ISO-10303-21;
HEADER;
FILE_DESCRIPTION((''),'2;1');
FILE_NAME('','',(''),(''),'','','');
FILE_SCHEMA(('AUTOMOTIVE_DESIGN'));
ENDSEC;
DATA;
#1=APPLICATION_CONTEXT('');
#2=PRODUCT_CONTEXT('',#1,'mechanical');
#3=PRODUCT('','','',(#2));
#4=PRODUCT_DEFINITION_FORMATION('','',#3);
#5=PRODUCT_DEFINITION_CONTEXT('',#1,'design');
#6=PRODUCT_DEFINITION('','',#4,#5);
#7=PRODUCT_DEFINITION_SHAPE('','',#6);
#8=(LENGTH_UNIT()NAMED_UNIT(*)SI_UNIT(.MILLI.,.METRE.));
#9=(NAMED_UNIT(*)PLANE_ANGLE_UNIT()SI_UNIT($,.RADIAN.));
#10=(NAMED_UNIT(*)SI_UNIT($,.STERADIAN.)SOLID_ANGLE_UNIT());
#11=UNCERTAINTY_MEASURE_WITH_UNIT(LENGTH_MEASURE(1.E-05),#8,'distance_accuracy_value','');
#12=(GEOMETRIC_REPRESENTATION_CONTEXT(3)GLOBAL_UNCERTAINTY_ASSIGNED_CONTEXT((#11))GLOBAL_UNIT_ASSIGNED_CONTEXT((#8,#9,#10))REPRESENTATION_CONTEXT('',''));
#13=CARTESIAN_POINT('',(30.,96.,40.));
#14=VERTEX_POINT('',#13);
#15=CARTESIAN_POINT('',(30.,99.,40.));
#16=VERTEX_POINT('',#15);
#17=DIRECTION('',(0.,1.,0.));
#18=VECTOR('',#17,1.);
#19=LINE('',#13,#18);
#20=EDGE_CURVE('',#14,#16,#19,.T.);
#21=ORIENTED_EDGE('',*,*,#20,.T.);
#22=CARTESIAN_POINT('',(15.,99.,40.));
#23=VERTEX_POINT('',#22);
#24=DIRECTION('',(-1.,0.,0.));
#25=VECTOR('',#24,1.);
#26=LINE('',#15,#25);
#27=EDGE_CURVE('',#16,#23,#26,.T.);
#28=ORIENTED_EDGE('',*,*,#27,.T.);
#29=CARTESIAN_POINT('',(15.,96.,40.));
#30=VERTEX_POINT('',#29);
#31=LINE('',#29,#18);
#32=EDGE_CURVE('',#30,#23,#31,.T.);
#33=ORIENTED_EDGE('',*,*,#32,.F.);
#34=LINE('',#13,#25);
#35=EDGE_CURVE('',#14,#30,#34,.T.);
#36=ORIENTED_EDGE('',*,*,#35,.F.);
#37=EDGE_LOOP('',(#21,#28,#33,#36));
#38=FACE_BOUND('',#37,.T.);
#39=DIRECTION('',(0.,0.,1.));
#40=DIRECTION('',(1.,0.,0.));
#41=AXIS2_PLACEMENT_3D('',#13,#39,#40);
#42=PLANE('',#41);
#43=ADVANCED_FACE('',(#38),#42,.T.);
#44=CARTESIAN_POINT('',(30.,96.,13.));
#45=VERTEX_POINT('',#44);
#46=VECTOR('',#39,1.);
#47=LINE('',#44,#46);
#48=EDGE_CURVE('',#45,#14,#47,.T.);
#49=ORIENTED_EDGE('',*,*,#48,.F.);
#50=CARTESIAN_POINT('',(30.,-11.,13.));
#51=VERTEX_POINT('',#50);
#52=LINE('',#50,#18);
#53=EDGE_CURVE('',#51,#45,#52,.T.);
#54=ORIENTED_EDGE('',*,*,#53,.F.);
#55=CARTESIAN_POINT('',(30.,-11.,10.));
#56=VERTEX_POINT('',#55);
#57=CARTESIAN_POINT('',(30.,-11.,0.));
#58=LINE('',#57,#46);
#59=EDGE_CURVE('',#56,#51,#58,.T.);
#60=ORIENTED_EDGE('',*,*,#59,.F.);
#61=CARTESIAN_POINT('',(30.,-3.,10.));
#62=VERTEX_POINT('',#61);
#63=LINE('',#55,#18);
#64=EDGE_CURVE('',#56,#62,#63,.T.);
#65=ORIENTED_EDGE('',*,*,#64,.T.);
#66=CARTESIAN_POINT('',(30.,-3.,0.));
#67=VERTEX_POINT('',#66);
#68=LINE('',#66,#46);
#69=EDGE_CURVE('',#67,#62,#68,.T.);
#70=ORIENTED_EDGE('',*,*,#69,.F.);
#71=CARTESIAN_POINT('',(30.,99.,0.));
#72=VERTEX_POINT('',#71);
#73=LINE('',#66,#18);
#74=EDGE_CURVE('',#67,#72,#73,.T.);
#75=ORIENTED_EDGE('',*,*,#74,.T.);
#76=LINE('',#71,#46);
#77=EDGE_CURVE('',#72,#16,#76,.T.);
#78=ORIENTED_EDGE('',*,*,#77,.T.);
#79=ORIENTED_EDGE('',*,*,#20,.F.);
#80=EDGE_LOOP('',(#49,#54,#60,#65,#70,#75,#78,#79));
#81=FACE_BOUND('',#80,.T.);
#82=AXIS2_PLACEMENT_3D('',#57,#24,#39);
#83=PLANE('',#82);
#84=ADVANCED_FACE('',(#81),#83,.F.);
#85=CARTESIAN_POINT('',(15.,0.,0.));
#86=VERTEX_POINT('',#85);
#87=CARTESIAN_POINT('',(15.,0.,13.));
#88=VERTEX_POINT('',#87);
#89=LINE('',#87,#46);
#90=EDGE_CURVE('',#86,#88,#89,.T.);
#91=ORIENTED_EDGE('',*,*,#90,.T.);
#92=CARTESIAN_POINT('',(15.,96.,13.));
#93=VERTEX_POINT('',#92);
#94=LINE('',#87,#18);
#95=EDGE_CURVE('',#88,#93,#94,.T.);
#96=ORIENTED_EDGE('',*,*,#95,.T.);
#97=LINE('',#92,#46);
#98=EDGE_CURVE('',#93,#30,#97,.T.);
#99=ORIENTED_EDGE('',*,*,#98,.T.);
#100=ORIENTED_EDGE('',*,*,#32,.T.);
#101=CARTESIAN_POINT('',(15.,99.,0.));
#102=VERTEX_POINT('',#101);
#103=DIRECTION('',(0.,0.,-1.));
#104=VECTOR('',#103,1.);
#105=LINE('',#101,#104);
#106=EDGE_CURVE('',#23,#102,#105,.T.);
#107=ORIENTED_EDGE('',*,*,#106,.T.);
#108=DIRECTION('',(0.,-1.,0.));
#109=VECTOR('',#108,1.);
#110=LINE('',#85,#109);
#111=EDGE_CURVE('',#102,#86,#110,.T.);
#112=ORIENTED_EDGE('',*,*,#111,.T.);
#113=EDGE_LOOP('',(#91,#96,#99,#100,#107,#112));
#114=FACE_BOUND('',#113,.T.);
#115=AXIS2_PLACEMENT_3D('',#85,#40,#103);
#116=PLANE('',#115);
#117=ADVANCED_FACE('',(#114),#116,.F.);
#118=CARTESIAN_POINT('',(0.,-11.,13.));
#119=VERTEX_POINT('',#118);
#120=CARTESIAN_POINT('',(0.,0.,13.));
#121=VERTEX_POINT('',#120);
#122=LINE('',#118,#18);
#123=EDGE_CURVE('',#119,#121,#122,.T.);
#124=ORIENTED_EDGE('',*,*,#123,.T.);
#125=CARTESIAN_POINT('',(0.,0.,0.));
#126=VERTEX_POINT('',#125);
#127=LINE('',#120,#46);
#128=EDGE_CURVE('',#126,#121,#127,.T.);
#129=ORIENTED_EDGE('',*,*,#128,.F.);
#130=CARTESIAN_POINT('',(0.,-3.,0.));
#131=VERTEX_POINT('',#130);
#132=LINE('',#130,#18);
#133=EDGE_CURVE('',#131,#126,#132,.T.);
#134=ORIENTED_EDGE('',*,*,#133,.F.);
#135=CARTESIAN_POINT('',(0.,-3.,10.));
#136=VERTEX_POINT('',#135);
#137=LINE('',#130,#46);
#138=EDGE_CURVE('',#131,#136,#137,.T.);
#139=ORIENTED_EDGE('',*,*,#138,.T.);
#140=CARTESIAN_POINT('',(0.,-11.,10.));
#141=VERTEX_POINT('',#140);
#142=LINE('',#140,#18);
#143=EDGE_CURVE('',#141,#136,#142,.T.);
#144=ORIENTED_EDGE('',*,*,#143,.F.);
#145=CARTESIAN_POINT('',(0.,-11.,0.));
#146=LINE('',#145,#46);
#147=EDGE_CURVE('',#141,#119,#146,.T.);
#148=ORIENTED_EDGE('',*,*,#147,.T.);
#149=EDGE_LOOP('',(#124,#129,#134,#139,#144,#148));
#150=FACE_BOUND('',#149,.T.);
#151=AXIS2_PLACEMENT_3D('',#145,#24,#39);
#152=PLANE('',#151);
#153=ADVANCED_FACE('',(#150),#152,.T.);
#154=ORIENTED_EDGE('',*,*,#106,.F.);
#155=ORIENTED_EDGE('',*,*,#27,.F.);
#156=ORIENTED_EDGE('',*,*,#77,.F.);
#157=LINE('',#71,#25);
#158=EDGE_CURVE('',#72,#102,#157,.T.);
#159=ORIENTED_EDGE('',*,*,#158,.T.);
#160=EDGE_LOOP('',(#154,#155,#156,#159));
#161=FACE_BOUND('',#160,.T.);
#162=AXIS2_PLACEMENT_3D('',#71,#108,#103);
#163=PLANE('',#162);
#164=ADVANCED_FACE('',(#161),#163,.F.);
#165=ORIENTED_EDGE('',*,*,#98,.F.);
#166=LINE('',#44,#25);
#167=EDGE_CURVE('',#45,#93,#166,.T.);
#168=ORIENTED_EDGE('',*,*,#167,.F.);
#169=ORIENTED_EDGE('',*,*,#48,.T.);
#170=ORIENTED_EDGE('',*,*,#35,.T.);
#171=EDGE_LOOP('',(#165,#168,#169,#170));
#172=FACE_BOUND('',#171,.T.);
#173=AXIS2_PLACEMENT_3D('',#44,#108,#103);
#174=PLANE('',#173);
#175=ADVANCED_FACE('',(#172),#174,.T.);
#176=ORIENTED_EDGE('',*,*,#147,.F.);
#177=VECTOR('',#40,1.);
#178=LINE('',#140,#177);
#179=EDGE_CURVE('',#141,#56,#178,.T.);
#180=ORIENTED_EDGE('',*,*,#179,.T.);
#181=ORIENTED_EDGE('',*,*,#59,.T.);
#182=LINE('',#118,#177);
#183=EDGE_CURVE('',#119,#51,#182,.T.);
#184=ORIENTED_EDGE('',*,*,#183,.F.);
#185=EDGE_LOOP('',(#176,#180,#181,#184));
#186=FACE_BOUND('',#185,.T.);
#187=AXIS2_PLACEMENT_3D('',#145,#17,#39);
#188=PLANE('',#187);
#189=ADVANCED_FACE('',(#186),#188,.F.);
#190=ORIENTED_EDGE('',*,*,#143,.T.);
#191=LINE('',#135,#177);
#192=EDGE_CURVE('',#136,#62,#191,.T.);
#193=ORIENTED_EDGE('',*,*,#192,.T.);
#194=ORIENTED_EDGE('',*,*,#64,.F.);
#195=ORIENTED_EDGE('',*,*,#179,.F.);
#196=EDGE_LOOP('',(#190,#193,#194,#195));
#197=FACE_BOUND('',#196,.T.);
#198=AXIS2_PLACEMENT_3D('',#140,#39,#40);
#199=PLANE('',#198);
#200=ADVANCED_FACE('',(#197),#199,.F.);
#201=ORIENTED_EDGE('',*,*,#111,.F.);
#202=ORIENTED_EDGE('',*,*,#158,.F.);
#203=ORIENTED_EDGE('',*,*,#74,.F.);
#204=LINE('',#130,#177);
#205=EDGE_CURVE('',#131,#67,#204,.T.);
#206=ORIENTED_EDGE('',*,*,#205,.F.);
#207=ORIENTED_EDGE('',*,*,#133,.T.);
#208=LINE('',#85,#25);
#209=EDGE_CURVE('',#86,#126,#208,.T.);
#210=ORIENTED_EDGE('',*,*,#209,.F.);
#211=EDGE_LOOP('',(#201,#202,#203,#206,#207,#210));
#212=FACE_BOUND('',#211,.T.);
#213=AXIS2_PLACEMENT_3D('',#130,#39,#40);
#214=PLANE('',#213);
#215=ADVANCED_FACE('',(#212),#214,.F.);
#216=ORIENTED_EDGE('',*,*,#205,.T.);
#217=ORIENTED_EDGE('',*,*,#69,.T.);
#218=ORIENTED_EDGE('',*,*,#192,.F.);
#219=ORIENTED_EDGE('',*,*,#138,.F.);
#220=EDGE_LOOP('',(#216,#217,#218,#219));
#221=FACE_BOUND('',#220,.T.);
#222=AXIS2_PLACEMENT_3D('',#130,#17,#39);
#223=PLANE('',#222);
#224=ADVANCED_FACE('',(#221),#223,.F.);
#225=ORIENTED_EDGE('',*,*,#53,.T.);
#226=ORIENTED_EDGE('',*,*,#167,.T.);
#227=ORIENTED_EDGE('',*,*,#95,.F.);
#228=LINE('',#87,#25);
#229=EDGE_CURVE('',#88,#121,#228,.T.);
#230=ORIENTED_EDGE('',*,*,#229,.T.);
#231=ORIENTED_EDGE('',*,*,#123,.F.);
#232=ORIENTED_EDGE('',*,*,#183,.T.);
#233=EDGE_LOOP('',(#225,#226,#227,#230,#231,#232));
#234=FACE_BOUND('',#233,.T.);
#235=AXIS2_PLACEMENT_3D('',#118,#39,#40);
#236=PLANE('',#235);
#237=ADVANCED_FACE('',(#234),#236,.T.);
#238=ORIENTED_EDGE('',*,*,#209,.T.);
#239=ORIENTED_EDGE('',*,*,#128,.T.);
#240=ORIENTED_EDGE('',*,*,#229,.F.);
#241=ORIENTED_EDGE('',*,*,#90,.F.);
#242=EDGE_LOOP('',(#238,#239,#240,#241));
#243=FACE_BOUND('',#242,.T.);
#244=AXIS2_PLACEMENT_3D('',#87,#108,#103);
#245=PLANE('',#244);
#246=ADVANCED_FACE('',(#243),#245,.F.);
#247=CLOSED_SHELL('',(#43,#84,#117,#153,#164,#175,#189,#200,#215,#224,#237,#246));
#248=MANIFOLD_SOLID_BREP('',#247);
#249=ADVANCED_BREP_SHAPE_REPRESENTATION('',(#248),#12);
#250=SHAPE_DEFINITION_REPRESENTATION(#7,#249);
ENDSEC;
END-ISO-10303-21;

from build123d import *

# Parameters (mm, degrees)
SKETCH_1_W          = 30
SKETCH_1_H          = 3
EXTRUDE_2_DEPTH     = 11
SKETCH_1_5_W        = 30
SKETCH_1_5_H        = 10
EXTRUDE_3_DEPTH     = 3
EXTRUDE_4_DEPTH     = 30
CUT_EXTRUDE_1_DEPTH = 15


with BuildPart() as part:
    # 草图1 → 凸台-拉伸2 (new body)
    with BuildSketch(Plane(origin=(0, 0, 0), x_dir=(1, 0, 0), z_dir=(0, 1, 0))):
        with Locations((15, -11.5)):
            Rectangle(SKETCH_1_W, SKETCH_1_H)
    extrude(amount=-EXTRUDE_2_DEPTH)

    # 草图1<5> → 凸台-拉伸3 (add)
    with BuildSketch(Plane(origin=(0, 0, 0), x_dir=(1, 0, 0), z_dir=(0, 1, 0))):
        with Locations((15, -5)):
            Rectangle(SKETCH_1_5_W, SKETCH_1_5_H)
    extrude(amount=-EXTRUDE_3_DEPTH)

    # 草图3 → 凸台-拉伸4 (add)
    with BuildSketch(Plane.ZY):
        Polygon((0, 0), (0, 99), (40, 99), (40, 96), (13, 96), (13, 0), align=None)
    extrude(amount=-EXTRUDE_4_DEPTH)

    # 草图3<4> → 切除-拉伸1 (cut)
    with BuildSketch(Plane.ZY):
        Polygon((0, 0), (0, 99), (40, 99), (40, 96), (13, 96), (13, 0), align=None)
    extrude(amount=-CUT_EXTRUDE_1_DEPTH, mode=Mode.SUBTRACT)


solid = part.part
